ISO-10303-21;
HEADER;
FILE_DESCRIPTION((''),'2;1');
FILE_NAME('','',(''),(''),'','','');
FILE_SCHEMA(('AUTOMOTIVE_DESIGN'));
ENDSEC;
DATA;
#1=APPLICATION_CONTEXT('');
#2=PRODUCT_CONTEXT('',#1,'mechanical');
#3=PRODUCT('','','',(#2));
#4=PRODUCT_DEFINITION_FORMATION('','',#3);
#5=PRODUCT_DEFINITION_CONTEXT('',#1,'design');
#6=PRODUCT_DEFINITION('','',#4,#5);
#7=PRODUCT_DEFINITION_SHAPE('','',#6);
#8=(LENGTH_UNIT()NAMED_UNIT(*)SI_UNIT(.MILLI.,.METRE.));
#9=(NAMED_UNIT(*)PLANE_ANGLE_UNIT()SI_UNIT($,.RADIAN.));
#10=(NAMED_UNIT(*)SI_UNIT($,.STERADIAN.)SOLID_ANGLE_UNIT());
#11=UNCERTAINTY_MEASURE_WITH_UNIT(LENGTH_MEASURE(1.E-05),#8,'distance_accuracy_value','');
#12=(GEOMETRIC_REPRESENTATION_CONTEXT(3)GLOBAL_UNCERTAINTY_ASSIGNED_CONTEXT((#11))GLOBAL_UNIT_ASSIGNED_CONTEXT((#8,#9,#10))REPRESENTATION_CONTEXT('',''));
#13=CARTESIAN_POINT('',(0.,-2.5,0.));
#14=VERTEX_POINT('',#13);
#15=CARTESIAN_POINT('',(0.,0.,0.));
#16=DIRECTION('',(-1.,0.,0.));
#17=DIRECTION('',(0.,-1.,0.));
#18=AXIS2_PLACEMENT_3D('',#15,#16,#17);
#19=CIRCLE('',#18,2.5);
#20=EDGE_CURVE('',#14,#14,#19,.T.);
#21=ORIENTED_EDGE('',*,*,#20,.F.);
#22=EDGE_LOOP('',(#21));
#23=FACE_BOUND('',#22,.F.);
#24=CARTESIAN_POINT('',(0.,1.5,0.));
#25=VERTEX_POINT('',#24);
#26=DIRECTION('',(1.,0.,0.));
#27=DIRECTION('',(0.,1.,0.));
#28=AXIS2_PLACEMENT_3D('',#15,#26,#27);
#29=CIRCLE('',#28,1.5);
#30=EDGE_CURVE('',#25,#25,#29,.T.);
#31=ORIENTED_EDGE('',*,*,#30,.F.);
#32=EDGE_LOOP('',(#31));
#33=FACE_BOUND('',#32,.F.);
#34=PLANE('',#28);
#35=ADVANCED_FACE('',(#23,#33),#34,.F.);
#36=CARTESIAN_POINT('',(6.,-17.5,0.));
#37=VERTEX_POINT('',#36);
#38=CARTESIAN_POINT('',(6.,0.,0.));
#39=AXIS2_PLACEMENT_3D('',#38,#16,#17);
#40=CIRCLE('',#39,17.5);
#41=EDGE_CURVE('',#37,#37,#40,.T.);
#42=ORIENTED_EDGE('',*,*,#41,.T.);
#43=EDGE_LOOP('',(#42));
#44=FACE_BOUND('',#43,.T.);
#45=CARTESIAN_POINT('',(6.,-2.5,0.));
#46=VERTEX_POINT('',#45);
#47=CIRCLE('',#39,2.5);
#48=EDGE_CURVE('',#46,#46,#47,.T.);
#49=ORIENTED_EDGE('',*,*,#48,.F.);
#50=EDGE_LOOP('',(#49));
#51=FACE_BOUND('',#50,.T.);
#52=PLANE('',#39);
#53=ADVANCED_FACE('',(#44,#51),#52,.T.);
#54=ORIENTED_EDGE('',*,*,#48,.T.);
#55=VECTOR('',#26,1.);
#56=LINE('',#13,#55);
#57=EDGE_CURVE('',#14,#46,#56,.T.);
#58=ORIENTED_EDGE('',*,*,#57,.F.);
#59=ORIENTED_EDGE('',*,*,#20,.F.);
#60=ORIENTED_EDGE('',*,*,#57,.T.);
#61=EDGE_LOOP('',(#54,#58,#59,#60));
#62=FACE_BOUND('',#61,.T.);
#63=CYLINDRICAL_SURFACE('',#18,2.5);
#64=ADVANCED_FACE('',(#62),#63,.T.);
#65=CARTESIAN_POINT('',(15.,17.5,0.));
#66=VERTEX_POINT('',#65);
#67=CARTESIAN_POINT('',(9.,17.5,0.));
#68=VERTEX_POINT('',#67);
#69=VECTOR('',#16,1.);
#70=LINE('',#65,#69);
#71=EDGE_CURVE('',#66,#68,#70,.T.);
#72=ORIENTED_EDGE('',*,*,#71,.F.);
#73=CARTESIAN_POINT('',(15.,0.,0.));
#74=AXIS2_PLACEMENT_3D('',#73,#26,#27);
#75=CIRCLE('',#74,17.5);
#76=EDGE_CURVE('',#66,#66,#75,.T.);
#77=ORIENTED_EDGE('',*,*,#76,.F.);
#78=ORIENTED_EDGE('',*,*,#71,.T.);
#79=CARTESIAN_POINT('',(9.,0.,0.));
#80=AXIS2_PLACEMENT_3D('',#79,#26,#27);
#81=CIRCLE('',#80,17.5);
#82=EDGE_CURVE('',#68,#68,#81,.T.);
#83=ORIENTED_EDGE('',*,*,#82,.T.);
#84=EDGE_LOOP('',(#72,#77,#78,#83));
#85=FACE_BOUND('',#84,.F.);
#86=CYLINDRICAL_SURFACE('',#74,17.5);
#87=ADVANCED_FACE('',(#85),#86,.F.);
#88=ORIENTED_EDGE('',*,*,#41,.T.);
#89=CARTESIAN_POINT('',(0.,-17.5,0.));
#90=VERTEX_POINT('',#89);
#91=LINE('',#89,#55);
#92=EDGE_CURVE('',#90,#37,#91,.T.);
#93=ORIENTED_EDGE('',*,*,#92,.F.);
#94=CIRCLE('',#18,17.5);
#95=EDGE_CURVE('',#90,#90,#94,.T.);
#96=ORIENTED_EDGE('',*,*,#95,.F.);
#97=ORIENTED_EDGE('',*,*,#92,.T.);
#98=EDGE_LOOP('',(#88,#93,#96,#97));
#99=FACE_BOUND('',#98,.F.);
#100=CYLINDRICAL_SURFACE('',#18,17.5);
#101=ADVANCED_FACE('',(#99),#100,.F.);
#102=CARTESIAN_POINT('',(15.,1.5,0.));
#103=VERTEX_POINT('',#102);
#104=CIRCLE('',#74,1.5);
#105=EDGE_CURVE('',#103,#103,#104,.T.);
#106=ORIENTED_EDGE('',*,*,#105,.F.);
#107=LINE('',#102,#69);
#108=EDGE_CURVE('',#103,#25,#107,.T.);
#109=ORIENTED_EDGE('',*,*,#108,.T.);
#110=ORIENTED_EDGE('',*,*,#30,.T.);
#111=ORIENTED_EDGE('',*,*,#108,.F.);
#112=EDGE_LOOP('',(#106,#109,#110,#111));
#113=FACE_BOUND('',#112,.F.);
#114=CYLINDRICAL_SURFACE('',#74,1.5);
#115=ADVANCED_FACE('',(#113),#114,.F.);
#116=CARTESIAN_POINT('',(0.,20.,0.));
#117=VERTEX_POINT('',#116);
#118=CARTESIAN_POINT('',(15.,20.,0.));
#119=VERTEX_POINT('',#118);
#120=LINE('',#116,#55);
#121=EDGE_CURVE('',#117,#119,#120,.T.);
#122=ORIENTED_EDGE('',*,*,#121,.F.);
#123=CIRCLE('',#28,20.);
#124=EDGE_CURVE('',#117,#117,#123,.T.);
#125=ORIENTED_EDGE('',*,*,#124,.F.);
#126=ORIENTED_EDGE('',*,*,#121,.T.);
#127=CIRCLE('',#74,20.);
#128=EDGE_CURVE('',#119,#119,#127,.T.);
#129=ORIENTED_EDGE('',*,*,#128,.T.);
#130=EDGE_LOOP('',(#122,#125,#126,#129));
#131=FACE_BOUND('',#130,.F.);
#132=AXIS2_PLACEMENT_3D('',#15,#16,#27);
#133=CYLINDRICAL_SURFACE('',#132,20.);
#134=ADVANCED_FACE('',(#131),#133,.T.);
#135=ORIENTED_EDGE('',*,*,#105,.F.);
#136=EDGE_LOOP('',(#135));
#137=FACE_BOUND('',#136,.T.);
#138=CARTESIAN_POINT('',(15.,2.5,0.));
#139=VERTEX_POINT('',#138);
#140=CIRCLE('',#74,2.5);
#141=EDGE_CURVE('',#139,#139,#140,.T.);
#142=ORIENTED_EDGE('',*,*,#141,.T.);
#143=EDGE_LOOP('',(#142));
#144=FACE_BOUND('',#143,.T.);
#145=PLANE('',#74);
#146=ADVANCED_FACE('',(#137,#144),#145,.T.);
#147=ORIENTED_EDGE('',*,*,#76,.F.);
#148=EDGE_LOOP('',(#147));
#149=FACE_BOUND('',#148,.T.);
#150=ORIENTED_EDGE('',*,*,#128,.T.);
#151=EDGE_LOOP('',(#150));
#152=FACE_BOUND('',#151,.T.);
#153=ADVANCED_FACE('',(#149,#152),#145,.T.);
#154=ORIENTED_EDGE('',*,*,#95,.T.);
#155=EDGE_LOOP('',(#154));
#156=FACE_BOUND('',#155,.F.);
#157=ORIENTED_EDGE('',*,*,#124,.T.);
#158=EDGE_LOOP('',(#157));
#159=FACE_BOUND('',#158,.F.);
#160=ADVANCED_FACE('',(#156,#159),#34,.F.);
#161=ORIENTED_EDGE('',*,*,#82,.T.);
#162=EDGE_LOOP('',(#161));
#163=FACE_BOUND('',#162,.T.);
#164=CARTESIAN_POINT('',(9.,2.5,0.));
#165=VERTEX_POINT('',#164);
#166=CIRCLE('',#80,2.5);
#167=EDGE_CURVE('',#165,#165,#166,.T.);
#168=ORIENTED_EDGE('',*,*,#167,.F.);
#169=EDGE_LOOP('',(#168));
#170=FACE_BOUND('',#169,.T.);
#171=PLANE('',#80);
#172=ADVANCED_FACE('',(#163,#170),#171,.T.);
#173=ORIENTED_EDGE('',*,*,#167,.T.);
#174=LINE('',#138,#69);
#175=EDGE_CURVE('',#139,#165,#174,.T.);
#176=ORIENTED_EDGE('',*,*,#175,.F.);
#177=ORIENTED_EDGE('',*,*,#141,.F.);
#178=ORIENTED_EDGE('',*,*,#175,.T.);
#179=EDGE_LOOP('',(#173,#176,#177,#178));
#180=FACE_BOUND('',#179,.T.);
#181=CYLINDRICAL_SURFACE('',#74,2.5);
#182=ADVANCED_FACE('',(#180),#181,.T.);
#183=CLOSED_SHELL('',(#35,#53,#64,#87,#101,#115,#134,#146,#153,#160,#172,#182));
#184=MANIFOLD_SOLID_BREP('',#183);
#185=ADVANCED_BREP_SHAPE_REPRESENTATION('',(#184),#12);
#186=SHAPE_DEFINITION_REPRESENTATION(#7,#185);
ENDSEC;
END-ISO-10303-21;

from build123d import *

# Parameters (mm, degrees)
F0_R     = 20
F1_DEPTH = 15
F2_R     = 17.5
F2_R_2   = 2.5
F3_DEPTH = 6
F4_R     = 1.5
F5_DEPTH = 25
F6_R     = 17.5
F6_R_2   = 2.5
F7_DEPTH = 6


with BuildPart() as f1:
    # F0 (on Right) → F1 (new body)
    with BuildSketch(Plane.YZ):
        Circle(F0_R)
    extrude(amount=F1_DEPTH)

    # F2 (on face) → F3 (cut)
    with BuildSketch(Plane.YZ.offset(15)):
        Circle(F2_R)
        Circle(F2_R_2, mode=Mode.SUBTRACT)
    extrude(amount=-F3_DEPTH, mode=Mode.SUBTRACT)

    # F4 (on face) → F5 (cut)
    with BuildSketch(Plane.YZ.offset(15)):
        Circle(F4_R)
    extrude(amount=-F5_DEPTH, mode=Mode.SUBTRACT)

    # F6 (on face) → F7 (cut)
    with BuildSketch(Plane(origin=(0, 0, 0), x_dir=(0, -1, 0), z_dir=(-1, 0, 0))):
        Circle(F6_R)
        Circle(F6_R_2, mode=Mode.SUBTRACT)
    extrude(amount=-F7_DEPTH, mode=Mode.SUBTRACT)


solid = f1.part
